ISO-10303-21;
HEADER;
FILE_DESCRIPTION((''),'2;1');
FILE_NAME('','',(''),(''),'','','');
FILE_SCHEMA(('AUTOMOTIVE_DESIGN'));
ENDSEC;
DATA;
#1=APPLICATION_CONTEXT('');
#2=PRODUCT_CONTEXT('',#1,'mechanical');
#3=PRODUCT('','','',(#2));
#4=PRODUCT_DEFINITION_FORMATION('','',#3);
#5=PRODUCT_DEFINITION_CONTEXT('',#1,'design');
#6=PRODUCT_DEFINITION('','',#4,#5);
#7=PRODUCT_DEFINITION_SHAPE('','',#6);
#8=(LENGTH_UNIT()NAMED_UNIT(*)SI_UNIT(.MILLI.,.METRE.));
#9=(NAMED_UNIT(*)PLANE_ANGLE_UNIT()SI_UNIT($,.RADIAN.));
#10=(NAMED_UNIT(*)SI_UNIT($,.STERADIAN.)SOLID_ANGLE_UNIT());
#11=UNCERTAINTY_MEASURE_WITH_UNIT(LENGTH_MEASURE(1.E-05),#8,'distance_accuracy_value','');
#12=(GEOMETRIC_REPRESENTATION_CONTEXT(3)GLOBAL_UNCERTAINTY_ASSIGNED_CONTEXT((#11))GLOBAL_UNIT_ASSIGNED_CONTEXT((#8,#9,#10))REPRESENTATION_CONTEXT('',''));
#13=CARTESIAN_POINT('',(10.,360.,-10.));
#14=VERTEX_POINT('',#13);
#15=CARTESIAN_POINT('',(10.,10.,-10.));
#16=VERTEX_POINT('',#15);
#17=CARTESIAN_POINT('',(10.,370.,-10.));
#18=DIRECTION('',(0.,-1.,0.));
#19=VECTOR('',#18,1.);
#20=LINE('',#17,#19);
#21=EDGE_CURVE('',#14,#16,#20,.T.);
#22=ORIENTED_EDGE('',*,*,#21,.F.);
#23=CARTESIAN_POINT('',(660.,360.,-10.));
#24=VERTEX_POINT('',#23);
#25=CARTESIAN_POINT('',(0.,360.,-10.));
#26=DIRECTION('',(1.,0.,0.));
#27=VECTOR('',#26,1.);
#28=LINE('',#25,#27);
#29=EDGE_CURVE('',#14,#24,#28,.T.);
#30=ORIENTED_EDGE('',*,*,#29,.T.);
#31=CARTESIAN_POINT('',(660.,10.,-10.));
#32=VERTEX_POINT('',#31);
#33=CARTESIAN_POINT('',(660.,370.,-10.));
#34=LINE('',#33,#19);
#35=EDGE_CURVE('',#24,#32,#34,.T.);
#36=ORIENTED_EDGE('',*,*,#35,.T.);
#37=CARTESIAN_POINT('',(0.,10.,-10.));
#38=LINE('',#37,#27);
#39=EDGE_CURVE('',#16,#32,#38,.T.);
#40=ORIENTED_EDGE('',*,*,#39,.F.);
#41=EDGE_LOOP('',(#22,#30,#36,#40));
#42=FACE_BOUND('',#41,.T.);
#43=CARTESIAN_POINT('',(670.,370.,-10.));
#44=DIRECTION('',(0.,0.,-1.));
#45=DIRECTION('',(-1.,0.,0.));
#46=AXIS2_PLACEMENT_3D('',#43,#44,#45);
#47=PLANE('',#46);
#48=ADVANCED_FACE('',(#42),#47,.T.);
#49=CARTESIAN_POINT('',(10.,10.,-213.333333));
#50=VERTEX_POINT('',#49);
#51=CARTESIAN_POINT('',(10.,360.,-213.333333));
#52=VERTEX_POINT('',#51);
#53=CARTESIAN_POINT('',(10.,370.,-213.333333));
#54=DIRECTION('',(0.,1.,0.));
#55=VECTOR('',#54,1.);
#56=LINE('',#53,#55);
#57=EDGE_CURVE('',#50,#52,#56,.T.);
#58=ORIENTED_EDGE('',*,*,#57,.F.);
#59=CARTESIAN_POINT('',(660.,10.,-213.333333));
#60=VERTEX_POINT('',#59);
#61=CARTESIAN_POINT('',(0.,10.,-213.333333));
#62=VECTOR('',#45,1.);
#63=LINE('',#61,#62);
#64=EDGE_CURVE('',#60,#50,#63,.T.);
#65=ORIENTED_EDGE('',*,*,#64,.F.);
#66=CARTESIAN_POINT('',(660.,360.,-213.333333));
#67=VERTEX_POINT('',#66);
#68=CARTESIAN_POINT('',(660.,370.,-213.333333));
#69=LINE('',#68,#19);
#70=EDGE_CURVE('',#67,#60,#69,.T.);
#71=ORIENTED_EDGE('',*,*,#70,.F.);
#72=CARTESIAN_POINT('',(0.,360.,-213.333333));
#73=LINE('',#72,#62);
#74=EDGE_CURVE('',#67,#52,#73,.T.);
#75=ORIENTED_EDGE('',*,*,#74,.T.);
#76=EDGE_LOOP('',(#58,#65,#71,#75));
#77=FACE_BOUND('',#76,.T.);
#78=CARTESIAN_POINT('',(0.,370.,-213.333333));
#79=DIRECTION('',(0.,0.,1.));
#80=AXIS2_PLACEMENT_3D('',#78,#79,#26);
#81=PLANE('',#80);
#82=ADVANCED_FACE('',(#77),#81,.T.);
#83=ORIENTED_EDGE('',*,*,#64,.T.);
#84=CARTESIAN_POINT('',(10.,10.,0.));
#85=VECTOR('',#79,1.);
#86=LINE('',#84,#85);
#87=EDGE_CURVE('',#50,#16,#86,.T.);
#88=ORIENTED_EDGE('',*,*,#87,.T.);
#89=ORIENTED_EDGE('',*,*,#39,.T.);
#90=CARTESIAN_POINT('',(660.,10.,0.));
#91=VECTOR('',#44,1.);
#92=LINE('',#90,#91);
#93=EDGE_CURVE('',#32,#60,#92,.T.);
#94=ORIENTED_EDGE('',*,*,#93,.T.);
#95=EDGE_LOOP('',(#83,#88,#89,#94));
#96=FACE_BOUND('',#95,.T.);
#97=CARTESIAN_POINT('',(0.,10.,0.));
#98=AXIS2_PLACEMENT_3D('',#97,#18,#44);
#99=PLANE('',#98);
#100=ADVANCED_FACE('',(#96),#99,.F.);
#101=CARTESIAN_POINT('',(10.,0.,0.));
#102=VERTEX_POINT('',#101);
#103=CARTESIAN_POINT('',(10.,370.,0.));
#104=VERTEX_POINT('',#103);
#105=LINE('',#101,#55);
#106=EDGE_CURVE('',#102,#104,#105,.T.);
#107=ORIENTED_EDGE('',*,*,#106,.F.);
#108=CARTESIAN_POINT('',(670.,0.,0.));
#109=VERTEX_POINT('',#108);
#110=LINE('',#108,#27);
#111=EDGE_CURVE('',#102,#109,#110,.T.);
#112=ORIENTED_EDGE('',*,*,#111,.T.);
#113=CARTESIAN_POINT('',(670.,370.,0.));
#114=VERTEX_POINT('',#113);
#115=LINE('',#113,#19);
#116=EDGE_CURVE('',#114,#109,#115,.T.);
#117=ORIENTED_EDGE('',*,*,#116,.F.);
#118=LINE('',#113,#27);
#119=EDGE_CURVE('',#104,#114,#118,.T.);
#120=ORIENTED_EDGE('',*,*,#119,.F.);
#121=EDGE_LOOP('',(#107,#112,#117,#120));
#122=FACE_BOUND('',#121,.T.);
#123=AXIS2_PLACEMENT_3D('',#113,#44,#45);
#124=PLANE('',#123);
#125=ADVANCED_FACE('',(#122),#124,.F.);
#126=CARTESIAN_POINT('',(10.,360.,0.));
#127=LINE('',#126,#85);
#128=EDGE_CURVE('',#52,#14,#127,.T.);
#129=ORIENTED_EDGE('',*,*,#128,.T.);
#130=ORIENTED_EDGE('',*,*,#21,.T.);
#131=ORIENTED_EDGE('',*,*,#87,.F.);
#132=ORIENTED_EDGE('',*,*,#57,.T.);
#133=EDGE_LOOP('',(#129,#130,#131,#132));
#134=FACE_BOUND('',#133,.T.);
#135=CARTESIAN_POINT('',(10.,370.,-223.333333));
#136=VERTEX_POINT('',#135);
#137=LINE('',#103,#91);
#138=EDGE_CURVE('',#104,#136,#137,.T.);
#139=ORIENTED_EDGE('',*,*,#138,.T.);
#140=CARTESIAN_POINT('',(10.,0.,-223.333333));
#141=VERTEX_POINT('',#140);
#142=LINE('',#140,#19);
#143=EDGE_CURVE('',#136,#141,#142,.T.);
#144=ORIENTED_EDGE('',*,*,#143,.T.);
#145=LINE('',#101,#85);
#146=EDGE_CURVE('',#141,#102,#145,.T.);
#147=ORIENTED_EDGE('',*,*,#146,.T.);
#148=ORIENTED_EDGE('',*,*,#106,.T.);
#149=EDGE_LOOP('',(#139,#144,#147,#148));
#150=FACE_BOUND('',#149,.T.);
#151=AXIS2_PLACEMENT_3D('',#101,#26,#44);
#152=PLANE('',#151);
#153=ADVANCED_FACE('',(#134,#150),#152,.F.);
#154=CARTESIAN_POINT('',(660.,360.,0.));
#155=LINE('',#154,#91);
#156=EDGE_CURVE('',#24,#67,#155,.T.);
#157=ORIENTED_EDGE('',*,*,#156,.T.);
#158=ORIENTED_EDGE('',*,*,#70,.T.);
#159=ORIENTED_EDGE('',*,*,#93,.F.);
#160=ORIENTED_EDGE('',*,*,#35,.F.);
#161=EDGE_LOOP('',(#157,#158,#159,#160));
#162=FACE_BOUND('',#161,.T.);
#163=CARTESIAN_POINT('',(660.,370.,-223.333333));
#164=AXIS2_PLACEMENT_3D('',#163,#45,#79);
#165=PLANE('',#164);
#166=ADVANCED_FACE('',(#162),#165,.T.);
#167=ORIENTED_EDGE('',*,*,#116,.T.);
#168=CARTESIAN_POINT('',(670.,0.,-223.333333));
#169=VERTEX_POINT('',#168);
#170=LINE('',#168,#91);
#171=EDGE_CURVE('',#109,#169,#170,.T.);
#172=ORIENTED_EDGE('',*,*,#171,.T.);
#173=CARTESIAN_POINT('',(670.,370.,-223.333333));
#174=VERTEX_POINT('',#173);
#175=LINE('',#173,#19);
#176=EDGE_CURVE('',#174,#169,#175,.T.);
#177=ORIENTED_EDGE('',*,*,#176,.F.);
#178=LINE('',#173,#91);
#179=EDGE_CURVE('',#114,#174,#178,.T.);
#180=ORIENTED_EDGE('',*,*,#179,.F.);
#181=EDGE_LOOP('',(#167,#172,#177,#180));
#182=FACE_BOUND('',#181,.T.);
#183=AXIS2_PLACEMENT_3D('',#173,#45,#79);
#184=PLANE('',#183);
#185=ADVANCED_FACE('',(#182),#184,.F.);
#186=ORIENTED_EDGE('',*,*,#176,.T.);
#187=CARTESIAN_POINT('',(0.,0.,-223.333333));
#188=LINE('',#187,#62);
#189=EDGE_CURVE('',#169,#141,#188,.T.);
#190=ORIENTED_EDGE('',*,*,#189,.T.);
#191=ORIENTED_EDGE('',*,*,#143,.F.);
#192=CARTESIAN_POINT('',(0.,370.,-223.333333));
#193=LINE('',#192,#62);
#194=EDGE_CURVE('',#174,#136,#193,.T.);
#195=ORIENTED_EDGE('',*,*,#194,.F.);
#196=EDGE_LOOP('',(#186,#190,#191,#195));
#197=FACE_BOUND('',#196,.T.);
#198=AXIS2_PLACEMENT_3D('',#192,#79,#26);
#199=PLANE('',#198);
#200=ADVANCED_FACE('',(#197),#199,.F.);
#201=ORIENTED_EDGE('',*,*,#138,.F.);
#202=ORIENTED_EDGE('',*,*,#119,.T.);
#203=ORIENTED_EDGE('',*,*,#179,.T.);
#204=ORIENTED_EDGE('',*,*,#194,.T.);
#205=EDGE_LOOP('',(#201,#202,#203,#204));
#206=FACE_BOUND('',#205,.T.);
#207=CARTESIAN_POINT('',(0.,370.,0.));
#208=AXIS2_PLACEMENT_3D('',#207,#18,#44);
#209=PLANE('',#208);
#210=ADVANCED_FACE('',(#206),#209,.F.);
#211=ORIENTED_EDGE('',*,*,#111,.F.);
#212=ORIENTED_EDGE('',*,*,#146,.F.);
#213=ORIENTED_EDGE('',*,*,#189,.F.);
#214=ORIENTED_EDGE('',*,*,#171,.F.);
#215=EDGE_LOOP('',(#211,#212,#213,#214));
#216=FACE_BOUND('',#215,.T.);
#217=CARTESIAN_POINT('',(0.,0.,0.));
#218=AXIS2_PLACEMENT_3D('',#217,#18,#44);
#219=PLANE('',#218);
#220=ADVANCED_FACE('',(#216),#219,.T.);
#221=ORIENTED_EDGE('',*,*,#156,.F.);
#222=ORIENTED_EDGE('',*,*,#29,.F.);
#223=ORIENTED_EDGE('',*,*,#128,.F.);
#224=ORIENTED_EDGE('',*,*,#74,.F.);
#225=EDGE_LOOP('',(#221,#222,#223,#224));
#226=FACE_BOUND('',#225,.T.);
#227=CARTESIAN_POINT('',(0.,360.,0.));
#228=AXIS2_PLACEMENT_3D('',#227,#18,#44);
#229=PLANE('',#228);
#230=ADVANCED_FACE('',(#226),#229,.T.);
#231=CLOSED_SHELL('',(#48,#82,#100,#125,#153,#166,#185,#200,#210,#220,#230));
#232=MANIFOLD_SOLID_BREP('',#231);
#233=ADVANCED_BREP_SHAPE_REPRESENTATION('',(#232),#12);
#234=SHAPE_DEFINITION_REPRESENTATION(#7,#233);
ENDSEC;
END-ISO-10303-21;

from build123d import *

# Parameters (mm, degrees)
SKETCH1_W           = 670
SKETCH1_H           = 223.333333333
BOSS_EXTRUDE1_DEPTH = 370
SHELL1_T            = -10
SKETCH5_W           = 213.333333333
SKETCH5_H           = 360
CUT_EXTRUDE1_DEPTH  = 10
SKETCH7_W           = 223.333333333
SKETCH7_H           = 370
CUT_EXTRUDE2_DEPTH  = 10


with BuildPart() as part:
    # Sketch1 → Boss-Extrude1 (new body)
    with BuildSketch(Plane(origin=(0, 0, 0), x_dir=(1, 0, 0), z_dir=(0, 1, 0))):
        with Locations((335, 111.666666667)):
            Rectangle(SKETCH1_W, SKETCH1_H)
    extrude(amount=BOSS_EXTRUDE1_DEPTH)

    # Shell1
    shell1_openings = [part.faces().sort_by_distance(p)[0] for p in [
        (0, 185, -111.666666667),
    ]]
    offset(amount=SHELL1_T, openings=shell1_openings, kind=Kind.INTERSECTION)

    # Sketch5 → Cut-Extrude1 (cut)
    with BuildSketch(Plane.ZY):
        with Locations((-111.666666667, 185)):
            Rectangle(SKETCH5_W, SKETCH5_H)
    extrude(amount=-CUT_EXTRUDE1_DEPTH, mode=Mode.SUBTRACT)

    # Sketch7 → Cut-Extrude2 (cut)
    with BuildSketch(Plane.ZY):
        with Locations((-111.666666667, 185)):
            Rectangle(SKETCH7_W, SKETCH7_H)
    extrude(amount=-CUT_EXTRUDE2_DEPTH, mode=Mode.SUBTRACT)


solid = part.part
